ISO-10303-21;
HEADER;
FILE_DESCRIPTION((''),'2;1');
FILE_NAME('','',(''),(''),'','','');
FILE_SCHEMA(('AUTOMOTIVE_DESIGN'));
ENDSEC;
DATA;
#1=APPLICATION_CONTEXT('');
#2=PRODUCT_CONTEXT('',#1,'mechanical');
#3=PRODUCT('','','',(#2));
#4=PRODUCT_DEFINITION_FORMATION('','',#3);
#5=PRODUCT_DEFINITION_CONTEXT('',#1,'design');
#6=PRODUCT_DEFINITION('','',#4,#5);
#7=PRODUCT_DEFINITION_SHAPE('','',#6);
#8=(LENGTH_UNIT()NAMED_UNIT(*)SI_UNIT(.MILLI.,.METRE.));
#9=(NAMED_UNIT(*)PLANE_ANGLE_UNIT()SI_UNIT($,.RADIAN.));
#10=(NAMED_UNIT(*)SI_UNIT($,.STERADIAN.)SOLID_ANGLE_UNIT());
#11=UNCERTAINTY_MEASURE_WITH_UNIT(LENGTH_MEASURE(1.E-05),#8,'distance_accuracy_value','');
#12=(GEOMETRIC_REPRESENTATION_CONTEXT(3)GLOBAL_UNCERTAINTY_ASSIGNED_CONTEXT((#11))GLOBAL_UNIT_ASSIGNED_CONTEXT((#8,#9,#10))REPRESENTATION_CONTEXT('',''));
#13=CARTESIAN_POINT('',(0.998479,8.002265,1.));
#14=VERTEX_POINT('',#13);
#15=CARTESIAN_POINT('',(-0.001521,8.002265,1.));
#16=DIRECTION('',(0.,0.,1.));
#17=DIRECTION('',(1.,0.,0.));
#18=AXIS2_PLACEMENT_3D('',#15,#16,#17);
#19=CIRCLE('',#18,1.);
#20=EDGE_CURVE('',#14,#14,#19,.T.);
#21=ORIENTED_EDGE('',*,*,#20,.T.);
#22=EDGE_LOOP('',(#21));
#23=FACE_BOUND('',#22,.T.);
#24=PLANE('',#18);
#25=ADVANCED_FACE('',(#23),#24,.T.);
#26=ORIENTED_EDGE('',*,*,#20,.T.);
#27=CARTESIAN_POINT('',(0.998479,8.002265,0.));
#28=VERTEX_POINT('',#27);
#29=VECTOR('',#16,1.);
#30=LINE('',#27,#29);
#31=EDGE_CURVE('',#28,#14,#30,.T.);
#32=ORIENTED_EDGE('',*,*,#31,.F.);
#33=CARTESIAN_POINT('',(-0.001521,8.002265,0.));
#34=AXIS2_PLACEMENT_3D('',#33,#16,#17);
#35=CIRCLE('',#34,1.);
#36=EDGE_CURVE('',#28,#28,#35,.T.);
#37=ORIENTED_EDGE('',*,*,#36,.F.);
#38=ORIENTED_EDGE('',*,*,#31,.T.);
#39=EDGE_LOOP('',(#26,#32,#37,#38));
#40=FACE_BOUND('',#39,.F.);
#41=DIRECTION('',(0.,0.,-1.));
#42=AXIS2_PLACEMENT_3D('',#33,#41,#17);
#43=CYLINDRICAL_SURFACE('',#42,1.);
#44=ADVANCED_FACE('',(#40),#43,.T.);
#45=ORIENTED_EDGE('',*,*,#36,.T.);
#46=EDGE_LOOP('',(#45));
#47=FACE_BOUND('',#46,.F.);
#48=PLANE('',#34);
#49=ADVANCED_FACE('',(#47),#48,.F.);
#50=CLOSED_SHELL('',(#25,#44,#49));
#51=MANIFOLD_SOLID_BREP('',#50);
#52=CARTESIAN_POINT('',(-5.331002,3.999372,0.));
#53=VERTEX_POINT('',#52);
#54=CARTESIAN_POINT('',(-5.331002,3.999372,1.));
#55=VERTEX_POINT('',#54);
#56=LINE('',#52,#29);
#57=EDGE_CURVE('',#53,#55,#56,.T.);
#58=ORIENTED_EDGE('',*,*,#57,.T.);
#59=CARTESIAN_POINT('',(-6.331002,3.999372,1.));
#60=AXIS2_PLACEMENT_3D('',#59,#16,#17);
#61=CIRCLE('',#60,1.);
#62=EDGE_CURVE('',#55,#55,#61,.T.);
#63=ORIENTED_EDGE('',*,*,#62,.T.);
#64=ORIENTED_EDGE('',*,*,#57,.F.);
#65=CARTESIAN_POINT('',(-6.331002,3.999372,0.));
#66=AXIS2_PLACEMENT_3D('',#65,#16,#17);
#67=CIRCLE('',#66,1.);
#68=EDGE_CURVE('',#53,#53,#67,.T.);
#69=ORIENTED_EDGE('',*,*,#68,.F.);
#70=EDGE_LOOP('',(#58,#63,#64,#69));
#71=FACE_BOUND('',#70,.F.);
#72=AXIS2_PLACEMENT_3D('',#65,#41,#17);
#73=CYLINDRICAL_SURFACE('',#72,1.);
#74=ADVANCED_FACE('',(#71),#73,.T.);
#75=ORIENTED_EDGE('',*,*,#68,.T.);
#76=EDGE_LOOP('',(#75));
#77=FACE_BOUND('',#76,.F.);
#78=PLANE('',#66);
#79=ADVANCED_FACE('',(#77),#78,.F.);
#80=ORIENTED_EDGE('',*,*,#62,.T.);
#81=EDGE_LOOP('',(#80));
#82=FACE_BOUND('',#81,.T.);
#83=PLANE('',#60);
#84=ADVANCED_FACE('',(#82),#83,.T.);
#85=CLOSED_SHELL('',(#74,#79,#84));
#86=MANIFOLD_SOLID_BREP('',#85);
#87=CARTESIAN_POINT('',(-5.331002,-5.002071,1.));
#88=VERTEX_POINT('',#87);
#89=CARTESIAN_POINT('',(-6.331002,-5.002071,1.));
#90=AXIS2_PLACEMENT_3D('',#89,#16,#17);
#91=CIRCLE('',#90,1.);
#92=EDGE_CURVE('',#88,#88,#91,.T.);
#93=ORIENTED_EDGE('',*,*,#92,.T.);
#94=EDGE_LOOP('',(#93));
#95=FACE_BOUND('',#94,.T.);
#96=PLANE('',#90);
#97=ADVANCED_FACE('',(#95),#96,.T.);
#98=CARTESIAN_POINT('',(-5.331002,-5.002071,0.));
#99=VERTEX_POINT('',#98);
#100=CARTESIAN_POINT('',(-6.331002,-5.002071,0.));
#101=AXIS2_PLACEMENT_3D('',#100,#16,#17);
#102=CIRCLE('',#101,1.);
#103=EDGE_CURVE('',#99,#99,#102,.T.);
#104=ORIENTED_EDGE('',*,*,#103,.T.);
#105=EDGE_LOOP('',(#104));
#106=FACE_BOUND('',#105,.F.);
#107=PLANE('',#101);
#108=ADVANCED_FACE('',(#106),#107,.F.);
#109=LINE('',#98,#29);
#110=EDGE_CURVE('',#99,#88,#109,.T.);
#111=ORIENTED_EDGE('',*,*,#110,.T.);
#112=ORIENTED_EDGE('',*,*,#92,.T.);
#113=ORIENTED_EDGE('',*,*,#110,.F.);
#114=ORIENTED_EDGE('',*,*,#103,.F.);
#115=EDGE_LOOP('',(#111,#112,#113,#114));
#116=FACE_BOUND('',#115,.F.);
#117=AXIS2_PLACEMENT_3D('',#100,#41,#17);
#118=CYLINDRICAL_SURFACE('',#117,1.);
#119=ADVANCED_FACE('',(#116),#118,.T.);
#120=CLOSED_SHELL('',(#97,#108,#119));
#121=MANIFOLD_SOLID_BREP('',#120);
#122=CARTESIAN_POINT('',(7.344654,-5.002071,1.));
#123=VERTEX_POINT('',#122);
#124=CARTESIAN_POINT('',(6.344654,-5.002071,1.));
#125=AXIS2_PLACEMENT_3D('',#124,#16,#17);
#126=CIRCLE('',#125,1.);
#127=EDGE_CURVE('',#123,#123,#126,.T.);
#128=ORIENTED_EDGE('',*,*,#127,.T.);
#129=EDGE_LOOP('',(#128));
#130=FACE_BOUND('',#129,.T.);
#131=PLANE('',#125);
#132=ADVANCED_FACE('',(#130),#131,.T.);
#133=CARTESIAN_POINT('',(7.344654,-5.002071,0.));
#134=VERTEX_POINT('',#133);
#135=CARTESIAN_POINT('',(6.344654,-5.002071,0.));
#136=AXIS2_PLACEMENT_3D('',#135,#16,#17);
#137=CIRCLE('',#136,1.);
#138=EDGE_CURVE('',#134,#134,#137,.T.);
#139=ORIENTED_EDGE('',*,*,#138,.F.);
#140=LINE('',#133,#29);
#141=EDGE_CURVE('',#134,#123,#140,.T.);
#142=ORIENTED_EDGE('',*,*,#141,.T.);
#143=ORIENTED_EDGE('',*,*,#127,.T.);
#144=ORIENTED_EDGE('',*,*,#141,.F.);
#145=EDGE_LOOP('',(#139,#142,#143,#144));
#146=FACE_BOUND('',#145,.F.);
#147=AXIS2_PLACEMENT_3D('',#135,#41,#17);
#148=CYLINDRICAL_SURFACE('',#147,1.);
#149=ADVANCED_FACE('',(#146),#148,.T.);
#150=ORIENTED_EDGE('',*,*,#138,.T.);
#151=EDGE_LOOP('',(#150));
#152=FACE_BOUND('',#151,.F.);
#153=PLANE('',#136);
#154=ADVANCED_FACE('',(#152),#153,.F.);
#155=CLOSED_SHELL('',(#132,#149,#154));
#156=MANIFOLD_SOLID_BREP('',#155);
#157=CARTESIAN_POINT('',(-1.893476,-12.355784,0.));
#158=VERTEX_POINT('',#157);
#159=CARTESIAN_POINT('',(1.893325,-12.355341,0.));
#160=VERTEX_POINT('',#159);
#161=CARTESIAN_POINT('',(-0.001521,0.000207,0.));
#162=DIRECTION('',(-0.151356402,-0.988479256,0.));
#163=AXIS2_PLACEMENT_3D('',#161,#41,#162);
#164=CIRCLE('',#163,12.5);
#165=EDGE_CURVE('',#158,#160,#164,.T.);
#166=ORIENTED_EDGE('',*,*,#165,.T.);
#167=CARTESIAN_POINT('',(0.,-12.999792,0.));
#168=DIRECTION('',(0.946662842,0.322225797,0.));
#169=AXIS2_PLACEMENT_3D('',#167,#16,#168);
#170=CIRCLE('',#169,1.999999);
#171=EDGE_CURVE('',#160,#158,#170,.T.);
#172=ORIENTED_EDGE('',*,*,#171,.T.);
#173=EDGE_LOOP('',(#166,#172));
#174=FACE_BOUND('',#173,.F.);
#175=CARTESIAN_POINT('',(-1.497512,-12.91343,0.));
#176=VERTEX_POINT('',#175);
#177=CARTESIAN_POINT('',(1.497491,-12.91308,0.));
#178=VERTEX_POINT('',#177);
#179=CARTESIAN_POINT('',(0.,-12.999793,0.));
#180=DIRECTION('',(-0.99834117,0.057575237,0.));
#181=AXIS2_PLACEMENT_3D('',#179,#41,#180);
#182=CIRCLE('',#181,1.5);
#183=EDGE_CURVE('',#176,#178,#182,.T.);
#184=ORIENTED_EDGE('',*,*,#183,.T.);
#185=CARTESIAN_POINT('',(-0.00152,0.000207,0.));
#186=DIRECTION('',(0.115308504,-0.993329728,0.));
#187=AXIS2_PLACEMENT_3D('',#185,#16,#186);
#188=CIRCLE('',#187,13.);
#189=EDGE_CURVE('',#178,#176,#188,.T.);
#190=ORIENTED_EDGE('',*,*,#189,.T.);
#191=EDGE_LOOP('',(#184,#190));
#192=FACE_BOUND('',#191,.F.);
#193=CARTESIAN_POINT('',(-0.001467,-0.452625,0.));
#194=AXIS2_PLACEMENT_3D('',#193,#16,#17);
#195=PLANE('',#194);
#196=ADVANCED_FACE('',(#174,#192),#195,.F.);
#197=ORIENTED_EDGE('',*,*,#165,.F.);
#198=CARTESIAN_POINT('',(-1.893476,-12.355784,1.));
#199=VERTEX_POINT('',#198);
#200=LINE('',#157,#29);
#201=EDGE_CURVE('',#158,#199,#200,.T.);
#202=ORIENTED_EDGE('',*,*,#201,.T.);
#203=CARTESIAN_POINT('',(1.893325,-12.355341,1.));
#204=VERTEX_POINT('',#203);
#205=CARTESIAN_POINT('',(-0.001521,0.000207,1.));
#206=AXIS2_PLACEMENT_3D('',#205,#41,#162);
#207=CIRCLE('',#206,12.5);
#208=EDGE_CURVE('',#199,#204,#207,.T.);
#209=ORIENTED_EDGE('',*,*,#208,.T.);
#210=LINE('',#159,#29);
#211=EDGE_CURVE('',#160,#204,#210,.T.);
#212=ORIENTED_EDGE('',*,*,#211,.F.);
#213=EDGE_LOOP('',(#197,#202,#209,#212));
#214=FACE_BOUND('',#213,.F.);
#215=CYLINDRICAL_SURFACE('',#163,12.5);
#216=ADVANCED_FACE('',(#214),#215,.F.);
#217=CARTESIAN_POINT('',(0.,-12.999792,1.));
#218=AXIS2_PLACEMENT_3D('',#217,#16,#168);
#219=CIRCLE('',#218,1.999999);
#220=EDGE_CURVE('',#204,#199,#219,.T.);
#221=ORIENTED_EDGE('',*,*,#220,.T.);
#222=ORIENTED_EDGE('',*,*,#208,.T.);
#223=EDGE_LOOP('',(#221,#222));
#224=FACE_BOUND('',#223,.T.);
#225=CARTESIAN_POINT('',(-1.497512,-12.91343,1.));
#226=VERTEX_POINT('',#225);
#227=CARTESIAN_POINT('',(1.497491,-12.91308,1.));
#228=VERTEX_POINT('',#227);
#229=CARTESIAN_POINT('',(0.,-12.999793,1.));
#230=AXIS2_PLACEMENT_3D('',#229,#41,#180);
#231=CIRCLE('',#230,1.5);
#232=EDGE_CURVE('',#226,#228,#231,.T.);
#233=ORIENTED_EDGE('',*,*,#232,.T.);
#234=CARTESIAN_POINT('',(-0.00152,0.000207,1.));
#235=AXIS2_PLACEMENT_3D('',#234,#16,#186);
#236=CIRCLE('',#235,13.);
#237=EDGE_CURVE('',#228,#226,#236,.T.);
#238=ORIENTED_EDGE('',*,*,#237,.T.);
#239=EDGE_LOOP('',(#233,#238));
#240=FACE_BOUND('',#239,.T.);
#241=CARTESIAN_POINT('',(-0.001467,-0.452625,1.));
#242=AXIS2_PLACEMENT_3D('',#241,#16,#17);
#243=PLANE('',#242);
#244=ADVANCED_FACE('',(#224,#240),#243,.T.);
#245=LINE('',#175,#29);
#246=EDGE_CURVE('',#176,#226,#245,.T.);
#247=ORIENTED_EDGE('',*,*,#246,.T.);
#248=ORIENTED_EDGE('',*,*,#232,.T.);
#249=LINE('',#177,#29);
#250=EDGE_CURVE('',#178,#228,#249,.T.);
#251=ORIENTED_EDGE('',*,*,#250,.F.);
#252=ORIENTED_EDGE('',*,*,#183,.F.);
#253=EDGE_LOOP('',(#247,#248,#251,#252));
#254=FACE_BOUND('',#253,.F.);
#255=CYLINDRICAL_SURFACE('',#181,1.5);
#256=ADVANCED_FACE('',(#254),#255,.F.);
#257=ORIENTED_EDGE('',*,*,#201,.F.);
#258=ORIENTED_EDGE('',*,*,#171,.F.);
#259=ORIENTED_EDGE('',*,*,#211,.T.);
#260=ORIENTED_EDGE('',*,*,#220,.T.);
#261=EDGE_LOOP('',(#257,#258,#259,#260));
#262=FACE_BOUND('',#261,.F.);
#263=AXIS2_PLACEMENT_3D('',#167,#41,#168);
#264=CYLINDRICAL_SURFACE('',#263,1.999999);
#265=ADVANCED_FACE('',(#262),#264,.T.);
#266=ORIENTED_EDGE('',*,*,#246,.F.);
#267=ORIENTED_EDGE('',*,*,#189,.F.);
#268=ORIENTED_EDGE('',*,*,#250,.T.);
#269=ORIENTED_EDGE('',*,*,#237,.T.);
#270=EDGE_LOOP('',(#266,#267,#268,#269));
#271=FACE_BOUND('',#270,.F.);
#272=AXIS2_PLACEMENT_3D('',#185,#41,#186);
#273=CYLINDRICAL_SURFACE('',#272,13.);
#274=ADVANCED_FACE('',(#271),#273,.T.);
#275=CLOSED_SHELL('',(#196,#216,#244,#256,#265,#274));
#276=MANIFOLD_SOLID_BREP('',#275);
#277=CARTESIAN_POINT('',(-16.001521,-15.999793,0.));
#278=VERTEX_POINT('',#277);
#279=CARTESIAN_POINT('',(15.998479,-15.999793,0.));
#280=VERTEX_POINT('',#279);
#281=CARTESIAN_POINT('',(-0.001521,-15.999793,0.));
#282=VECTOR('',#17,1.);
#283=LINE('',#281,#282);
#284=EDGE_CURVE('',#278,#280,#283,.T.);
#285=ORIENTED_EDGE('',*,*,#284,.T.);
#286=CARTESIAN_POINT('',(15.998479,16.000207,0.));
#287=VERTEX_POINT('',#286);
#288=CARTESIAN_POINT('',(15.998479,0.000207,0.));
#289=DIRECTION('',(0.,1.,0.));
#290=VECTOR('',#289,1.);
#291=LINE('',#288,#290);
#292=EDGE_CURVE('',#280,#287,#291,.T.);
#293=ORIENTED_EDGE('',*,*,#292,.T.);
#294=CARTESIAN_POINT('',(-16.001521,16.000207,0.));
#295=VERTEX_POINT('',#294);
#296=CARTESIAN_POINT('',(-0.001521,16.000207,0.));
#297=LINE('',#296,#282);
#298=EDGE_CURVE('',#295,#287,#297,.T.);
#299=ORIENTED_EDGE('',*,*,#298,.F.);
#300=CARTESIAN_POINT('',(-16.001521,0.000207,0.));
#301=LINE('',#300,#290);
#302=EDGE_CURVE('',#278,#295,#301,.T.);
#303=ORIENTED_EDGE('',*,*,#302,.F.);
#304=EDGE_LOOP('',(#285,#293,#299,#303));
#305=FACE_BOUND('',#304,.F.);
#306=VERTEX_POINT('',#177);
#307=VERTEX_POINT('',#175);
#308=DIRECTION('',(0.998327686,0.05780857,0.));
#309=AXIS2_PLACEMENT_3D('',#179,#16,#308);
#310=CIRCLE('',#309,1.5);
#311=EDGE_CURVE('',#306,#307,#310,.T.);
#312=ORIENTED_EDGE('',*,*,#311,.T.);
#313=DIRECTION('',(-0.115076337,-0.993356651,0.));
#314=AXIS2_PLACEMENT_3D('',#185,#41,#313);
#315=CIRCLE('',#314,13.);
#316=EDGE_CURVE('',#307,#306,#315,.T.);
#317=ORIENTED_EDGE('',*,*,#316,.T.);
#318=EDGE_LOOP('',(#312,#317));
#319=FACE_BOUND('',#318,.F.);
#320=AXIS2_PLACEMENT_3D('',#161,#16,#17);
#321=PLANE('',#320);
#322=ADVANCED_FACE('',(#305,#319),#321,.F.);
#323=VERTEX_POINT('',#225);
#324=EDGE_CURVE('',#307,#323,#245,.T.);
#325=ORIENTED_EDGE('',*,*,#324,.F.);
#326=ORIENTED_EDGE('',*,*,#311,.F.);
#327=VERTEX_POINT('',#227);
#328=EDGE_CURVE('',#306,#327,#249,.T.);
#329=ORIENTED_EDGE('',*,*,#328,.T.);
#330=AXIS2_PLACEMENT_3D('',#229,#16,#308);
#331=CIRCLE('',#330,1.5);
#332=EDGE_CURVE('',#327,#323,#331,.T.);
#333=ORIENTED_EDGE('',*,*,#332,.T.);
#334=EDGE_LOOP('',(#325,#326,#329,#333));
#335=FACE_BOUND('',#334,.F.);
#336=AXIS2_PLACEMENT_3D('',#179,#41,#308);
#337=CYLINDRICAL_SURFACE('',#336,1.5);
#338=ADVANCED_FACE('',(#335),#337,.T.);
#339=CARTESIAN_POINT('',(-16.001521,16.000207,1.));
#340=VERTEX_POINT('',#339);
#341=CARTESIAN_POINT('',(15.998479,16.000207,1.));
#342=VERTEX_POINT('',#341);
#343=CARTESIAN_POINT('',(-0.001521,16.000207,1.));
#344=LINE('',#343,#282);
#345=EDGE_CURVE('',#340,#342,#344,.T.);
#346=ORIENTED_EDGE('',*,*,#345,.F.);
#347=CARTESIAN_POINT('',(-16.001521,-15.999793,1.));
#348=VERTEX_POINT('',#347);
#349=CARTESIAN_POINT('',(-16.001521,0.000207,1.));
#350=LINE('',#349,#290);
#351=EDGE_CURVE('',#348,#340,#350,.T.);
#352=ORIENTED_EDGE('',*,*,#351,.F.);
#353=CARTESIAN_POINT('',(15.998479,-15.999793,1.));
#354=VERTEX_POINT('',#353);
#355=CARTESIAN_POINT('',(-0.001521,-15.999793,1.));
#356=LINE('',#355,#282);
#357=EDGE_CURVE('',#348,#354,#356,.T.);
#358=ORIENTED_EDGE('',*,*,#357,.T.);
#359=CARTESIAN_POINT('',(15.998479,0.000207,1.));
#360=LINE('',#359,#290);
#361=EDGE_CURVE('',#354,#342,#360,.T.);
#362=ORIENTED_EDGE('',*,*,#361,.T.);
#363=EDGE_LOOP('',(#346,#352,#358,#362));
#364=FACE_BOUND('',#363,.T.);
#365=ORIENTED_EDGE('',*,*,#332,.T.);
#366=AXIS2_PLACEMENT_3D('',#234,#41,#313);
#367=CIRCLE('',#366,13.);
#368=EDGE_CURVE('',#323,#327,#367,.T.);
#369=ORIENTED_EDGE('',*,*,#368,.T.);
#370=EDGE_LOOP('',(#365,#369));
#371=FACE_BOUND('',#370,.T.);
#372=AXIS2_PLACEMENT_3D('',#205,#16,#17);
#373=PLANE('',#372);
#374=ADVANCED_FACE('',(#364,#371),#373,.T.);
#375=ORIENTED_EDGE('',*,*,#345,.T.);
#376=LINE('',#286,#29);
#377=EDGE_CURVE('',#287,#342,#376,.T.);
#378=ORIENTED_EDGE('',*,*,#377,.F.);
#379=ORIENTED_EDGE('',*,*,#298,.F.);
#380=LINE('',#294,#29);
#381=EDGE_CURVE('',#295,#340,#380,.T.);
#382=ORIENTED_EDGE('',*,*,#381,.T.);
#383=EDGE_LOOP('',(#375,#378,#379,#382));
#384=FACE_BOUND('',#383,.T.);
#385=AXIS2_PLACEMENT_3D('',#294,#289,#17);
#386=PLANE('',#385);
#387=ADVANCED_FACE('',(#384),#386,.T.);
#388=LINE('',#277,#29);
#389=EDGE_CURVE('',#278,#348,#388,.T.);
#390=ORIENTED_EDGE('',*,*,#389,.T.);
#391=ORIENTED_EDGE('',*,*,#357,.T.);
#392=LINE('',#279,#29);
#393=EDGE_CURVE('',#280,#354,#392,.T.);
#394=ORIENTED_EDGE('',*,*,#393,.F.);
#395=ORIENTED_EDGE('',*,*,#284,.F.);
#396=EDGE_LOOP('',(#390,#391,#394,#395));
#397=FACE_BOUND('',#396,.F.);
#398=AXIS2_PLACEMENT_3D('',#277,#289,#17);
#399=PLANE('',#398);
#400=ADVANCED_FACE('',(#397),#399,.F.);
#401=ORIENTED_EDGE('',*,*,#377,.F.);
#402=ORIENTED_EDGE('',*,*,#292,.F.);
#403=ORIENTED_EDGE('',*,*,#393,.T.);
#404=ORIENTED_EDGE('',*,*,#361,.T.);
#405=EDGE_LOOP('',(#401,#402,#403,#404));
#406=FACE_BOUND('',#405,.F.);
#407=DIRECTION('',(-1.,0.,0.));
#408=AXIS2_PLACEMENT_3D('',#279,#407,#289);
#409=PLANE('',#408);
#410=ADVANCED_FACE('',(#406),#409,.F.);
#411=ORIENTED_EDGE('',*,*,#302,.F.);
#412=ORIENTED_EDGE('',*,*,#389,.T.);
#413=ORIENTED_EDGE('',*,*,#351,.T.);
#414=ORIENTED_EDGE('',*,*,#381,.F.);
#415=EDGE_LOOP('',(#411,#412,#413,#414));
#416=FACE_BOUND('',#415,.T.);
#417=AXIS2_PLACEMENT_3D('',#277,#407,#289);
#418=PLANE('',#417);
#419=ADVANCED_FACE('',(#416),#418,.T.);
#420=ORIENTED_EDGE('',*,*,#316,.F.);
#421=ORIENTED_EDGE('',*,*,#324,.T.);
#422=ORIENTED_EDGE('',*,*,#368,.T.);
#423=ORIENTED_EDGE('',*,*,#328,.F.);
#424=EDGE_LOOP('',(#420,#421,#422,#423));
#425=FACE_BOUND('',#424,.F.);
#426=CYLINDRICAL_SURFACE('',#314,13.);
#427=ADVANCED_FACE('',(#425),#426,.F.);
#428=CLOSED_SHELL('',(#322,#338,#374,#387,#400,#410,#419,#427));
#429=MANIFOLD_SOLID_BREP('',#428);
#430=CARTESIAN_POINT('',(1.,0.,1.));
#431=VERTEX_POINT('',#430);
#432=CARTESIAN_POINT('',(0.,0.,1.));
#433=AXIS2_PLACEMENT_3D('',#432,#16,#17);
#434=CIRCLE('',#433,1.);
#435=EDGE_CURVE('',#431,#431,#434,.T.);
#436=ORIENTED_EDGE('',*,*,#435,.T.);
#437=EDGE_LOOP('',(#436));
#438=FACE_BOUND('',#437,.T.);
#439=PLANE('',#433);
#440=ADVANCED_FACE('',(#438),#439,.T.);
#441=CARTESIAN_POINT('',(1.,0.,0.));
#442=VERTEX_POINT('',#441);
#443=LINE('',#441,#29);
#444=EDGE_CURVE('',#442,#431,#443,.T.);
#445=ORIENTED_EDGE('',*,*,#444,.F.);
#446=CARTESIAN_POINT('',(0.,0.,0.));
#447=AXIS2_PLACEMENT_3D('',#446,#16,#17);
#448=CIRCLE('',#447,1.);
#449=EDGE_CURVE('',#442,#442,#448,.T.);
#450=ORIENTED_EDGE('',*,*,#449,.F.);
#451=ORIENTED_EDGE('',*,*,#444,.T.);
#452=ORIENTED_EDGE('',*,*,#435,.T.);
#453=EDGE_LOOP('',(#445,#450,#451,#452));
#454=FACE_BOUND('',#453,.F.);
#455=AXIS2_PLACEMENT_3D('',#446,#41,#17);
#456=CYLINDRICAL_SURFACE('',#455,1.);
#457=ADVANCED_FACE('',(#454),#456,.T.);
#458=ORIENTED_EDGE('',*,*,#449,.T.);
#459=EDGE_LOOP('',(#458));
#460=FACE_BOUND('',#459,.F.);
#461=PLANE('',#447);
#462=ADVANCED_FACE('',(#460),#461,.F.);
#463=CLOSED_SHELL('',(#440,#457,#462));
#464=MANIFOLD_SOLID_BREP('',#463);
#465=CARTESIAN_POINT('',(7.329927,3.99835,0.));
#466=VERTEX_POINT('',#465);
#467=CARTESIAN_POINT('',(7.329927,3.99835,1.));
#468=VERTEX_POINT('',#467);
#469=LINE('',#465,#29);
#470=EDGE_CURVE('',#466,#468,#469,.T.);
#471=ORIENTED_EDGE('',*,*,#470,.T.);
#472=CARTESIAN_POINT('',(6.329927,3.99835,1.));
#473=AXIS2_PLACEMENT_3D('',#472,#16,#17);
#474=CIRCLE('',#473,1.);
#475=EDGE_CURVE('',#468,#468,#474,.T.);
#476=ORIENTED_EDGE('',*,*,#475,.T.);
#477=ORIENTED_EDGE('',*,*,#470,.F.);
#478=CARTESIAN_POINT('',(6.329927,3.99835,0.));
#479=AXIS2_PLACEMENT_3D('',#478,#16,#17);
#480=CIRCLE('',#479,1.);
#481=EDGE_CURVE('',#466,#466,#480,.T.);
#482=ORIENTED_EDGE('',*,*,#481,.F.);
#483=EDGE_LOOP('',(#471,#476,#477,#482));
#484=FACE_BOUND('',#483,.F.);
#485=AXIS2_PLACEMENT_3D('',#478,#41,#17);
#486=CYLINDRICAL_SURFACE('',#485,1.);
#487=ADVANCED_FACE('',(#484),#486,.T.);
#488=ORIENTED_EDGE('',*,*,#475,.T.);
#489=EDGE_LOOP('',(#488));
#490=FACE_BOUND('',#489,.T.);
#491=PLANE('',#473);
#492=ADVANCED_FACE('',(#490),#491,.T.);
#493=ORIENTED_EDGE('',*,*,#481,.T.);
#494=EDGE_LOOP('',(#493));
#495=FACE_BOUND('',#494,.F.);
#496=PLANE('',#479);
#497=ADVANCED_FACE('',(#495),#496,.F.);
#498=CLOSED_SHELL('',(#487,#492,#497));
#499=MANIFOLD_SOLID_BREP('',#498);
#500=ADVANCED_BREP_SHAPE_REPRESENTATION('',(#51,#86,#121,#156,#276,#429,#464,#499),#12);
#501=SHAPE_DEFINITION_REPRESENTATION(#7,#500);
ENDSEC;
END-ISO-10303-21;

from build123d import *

# Parameters (mm, degrees)
F0_R     = 1
F1_DEPTH = 1
F0_W     = 32
F0_H     = 32
F2_DEPTH = 1


with BuildPart() as f1:
    # F0 (on Top) → F1 (new body)
    with BuildSketch(Plane.XY):
        with BuildLine():
            ThreePointArc((-1.497512, -12.91343), (-0.000175, -11.499793), (1.497491, -12.91308))
            ThreePointArc((1.497491, -12.91308), (-0.003042, 13.000207), (-1.497512, -12.91343))
        make_face()
        with BuildLine():
            ThreePointArc((-1.893476, -12.355784), (-0.002984, 12.500207), (1.893325, -12.355341))
            ThreePointArc((1.893325, -12.355341), (-0.000234, -10.999793), (-1.893476, -12.355784))
        make_face(mode=Mode.SUBTRACT)
        with Locations((-6.331002, 3.999372)):
            Circle(F0_R)
        with Locations((-0.001521, 8.002265)):
            Circle(F0_R)
        with Locations((6.329927, 3.99835)):
            Circle(F0_R)
        Circle(F0_R)
        with Locations((-6.331002, -5.002071)):
            Circle(F0_R)
        with Locations((6.344654, -5.002071)):
            Circle(F0_R)
    extrude(amount=F1_DEPTH)


with BuildPart() as f2:
    # F0 (on Top) → F2 (new body)
    with BuildSketch(Plane.XY):
        with Locations((-0.001521, 0.000207)):
            Rectangle(F0_W, F0_H)
        with BuildLine():
            ThreePointArc((-1.497512, -12.91343), (-0.003042, 13.000207), (1.497491, -12.91308))
            ThreePointArc((1.497491, -12.91308), (-0.000175, -11.499793), (-1.497512, -12.91343))
        make_face(mode=Mode.SUBTRACT)
    extrude(amount=F2_DEPTH)


solid = Compound([f1.part, f2.part])
